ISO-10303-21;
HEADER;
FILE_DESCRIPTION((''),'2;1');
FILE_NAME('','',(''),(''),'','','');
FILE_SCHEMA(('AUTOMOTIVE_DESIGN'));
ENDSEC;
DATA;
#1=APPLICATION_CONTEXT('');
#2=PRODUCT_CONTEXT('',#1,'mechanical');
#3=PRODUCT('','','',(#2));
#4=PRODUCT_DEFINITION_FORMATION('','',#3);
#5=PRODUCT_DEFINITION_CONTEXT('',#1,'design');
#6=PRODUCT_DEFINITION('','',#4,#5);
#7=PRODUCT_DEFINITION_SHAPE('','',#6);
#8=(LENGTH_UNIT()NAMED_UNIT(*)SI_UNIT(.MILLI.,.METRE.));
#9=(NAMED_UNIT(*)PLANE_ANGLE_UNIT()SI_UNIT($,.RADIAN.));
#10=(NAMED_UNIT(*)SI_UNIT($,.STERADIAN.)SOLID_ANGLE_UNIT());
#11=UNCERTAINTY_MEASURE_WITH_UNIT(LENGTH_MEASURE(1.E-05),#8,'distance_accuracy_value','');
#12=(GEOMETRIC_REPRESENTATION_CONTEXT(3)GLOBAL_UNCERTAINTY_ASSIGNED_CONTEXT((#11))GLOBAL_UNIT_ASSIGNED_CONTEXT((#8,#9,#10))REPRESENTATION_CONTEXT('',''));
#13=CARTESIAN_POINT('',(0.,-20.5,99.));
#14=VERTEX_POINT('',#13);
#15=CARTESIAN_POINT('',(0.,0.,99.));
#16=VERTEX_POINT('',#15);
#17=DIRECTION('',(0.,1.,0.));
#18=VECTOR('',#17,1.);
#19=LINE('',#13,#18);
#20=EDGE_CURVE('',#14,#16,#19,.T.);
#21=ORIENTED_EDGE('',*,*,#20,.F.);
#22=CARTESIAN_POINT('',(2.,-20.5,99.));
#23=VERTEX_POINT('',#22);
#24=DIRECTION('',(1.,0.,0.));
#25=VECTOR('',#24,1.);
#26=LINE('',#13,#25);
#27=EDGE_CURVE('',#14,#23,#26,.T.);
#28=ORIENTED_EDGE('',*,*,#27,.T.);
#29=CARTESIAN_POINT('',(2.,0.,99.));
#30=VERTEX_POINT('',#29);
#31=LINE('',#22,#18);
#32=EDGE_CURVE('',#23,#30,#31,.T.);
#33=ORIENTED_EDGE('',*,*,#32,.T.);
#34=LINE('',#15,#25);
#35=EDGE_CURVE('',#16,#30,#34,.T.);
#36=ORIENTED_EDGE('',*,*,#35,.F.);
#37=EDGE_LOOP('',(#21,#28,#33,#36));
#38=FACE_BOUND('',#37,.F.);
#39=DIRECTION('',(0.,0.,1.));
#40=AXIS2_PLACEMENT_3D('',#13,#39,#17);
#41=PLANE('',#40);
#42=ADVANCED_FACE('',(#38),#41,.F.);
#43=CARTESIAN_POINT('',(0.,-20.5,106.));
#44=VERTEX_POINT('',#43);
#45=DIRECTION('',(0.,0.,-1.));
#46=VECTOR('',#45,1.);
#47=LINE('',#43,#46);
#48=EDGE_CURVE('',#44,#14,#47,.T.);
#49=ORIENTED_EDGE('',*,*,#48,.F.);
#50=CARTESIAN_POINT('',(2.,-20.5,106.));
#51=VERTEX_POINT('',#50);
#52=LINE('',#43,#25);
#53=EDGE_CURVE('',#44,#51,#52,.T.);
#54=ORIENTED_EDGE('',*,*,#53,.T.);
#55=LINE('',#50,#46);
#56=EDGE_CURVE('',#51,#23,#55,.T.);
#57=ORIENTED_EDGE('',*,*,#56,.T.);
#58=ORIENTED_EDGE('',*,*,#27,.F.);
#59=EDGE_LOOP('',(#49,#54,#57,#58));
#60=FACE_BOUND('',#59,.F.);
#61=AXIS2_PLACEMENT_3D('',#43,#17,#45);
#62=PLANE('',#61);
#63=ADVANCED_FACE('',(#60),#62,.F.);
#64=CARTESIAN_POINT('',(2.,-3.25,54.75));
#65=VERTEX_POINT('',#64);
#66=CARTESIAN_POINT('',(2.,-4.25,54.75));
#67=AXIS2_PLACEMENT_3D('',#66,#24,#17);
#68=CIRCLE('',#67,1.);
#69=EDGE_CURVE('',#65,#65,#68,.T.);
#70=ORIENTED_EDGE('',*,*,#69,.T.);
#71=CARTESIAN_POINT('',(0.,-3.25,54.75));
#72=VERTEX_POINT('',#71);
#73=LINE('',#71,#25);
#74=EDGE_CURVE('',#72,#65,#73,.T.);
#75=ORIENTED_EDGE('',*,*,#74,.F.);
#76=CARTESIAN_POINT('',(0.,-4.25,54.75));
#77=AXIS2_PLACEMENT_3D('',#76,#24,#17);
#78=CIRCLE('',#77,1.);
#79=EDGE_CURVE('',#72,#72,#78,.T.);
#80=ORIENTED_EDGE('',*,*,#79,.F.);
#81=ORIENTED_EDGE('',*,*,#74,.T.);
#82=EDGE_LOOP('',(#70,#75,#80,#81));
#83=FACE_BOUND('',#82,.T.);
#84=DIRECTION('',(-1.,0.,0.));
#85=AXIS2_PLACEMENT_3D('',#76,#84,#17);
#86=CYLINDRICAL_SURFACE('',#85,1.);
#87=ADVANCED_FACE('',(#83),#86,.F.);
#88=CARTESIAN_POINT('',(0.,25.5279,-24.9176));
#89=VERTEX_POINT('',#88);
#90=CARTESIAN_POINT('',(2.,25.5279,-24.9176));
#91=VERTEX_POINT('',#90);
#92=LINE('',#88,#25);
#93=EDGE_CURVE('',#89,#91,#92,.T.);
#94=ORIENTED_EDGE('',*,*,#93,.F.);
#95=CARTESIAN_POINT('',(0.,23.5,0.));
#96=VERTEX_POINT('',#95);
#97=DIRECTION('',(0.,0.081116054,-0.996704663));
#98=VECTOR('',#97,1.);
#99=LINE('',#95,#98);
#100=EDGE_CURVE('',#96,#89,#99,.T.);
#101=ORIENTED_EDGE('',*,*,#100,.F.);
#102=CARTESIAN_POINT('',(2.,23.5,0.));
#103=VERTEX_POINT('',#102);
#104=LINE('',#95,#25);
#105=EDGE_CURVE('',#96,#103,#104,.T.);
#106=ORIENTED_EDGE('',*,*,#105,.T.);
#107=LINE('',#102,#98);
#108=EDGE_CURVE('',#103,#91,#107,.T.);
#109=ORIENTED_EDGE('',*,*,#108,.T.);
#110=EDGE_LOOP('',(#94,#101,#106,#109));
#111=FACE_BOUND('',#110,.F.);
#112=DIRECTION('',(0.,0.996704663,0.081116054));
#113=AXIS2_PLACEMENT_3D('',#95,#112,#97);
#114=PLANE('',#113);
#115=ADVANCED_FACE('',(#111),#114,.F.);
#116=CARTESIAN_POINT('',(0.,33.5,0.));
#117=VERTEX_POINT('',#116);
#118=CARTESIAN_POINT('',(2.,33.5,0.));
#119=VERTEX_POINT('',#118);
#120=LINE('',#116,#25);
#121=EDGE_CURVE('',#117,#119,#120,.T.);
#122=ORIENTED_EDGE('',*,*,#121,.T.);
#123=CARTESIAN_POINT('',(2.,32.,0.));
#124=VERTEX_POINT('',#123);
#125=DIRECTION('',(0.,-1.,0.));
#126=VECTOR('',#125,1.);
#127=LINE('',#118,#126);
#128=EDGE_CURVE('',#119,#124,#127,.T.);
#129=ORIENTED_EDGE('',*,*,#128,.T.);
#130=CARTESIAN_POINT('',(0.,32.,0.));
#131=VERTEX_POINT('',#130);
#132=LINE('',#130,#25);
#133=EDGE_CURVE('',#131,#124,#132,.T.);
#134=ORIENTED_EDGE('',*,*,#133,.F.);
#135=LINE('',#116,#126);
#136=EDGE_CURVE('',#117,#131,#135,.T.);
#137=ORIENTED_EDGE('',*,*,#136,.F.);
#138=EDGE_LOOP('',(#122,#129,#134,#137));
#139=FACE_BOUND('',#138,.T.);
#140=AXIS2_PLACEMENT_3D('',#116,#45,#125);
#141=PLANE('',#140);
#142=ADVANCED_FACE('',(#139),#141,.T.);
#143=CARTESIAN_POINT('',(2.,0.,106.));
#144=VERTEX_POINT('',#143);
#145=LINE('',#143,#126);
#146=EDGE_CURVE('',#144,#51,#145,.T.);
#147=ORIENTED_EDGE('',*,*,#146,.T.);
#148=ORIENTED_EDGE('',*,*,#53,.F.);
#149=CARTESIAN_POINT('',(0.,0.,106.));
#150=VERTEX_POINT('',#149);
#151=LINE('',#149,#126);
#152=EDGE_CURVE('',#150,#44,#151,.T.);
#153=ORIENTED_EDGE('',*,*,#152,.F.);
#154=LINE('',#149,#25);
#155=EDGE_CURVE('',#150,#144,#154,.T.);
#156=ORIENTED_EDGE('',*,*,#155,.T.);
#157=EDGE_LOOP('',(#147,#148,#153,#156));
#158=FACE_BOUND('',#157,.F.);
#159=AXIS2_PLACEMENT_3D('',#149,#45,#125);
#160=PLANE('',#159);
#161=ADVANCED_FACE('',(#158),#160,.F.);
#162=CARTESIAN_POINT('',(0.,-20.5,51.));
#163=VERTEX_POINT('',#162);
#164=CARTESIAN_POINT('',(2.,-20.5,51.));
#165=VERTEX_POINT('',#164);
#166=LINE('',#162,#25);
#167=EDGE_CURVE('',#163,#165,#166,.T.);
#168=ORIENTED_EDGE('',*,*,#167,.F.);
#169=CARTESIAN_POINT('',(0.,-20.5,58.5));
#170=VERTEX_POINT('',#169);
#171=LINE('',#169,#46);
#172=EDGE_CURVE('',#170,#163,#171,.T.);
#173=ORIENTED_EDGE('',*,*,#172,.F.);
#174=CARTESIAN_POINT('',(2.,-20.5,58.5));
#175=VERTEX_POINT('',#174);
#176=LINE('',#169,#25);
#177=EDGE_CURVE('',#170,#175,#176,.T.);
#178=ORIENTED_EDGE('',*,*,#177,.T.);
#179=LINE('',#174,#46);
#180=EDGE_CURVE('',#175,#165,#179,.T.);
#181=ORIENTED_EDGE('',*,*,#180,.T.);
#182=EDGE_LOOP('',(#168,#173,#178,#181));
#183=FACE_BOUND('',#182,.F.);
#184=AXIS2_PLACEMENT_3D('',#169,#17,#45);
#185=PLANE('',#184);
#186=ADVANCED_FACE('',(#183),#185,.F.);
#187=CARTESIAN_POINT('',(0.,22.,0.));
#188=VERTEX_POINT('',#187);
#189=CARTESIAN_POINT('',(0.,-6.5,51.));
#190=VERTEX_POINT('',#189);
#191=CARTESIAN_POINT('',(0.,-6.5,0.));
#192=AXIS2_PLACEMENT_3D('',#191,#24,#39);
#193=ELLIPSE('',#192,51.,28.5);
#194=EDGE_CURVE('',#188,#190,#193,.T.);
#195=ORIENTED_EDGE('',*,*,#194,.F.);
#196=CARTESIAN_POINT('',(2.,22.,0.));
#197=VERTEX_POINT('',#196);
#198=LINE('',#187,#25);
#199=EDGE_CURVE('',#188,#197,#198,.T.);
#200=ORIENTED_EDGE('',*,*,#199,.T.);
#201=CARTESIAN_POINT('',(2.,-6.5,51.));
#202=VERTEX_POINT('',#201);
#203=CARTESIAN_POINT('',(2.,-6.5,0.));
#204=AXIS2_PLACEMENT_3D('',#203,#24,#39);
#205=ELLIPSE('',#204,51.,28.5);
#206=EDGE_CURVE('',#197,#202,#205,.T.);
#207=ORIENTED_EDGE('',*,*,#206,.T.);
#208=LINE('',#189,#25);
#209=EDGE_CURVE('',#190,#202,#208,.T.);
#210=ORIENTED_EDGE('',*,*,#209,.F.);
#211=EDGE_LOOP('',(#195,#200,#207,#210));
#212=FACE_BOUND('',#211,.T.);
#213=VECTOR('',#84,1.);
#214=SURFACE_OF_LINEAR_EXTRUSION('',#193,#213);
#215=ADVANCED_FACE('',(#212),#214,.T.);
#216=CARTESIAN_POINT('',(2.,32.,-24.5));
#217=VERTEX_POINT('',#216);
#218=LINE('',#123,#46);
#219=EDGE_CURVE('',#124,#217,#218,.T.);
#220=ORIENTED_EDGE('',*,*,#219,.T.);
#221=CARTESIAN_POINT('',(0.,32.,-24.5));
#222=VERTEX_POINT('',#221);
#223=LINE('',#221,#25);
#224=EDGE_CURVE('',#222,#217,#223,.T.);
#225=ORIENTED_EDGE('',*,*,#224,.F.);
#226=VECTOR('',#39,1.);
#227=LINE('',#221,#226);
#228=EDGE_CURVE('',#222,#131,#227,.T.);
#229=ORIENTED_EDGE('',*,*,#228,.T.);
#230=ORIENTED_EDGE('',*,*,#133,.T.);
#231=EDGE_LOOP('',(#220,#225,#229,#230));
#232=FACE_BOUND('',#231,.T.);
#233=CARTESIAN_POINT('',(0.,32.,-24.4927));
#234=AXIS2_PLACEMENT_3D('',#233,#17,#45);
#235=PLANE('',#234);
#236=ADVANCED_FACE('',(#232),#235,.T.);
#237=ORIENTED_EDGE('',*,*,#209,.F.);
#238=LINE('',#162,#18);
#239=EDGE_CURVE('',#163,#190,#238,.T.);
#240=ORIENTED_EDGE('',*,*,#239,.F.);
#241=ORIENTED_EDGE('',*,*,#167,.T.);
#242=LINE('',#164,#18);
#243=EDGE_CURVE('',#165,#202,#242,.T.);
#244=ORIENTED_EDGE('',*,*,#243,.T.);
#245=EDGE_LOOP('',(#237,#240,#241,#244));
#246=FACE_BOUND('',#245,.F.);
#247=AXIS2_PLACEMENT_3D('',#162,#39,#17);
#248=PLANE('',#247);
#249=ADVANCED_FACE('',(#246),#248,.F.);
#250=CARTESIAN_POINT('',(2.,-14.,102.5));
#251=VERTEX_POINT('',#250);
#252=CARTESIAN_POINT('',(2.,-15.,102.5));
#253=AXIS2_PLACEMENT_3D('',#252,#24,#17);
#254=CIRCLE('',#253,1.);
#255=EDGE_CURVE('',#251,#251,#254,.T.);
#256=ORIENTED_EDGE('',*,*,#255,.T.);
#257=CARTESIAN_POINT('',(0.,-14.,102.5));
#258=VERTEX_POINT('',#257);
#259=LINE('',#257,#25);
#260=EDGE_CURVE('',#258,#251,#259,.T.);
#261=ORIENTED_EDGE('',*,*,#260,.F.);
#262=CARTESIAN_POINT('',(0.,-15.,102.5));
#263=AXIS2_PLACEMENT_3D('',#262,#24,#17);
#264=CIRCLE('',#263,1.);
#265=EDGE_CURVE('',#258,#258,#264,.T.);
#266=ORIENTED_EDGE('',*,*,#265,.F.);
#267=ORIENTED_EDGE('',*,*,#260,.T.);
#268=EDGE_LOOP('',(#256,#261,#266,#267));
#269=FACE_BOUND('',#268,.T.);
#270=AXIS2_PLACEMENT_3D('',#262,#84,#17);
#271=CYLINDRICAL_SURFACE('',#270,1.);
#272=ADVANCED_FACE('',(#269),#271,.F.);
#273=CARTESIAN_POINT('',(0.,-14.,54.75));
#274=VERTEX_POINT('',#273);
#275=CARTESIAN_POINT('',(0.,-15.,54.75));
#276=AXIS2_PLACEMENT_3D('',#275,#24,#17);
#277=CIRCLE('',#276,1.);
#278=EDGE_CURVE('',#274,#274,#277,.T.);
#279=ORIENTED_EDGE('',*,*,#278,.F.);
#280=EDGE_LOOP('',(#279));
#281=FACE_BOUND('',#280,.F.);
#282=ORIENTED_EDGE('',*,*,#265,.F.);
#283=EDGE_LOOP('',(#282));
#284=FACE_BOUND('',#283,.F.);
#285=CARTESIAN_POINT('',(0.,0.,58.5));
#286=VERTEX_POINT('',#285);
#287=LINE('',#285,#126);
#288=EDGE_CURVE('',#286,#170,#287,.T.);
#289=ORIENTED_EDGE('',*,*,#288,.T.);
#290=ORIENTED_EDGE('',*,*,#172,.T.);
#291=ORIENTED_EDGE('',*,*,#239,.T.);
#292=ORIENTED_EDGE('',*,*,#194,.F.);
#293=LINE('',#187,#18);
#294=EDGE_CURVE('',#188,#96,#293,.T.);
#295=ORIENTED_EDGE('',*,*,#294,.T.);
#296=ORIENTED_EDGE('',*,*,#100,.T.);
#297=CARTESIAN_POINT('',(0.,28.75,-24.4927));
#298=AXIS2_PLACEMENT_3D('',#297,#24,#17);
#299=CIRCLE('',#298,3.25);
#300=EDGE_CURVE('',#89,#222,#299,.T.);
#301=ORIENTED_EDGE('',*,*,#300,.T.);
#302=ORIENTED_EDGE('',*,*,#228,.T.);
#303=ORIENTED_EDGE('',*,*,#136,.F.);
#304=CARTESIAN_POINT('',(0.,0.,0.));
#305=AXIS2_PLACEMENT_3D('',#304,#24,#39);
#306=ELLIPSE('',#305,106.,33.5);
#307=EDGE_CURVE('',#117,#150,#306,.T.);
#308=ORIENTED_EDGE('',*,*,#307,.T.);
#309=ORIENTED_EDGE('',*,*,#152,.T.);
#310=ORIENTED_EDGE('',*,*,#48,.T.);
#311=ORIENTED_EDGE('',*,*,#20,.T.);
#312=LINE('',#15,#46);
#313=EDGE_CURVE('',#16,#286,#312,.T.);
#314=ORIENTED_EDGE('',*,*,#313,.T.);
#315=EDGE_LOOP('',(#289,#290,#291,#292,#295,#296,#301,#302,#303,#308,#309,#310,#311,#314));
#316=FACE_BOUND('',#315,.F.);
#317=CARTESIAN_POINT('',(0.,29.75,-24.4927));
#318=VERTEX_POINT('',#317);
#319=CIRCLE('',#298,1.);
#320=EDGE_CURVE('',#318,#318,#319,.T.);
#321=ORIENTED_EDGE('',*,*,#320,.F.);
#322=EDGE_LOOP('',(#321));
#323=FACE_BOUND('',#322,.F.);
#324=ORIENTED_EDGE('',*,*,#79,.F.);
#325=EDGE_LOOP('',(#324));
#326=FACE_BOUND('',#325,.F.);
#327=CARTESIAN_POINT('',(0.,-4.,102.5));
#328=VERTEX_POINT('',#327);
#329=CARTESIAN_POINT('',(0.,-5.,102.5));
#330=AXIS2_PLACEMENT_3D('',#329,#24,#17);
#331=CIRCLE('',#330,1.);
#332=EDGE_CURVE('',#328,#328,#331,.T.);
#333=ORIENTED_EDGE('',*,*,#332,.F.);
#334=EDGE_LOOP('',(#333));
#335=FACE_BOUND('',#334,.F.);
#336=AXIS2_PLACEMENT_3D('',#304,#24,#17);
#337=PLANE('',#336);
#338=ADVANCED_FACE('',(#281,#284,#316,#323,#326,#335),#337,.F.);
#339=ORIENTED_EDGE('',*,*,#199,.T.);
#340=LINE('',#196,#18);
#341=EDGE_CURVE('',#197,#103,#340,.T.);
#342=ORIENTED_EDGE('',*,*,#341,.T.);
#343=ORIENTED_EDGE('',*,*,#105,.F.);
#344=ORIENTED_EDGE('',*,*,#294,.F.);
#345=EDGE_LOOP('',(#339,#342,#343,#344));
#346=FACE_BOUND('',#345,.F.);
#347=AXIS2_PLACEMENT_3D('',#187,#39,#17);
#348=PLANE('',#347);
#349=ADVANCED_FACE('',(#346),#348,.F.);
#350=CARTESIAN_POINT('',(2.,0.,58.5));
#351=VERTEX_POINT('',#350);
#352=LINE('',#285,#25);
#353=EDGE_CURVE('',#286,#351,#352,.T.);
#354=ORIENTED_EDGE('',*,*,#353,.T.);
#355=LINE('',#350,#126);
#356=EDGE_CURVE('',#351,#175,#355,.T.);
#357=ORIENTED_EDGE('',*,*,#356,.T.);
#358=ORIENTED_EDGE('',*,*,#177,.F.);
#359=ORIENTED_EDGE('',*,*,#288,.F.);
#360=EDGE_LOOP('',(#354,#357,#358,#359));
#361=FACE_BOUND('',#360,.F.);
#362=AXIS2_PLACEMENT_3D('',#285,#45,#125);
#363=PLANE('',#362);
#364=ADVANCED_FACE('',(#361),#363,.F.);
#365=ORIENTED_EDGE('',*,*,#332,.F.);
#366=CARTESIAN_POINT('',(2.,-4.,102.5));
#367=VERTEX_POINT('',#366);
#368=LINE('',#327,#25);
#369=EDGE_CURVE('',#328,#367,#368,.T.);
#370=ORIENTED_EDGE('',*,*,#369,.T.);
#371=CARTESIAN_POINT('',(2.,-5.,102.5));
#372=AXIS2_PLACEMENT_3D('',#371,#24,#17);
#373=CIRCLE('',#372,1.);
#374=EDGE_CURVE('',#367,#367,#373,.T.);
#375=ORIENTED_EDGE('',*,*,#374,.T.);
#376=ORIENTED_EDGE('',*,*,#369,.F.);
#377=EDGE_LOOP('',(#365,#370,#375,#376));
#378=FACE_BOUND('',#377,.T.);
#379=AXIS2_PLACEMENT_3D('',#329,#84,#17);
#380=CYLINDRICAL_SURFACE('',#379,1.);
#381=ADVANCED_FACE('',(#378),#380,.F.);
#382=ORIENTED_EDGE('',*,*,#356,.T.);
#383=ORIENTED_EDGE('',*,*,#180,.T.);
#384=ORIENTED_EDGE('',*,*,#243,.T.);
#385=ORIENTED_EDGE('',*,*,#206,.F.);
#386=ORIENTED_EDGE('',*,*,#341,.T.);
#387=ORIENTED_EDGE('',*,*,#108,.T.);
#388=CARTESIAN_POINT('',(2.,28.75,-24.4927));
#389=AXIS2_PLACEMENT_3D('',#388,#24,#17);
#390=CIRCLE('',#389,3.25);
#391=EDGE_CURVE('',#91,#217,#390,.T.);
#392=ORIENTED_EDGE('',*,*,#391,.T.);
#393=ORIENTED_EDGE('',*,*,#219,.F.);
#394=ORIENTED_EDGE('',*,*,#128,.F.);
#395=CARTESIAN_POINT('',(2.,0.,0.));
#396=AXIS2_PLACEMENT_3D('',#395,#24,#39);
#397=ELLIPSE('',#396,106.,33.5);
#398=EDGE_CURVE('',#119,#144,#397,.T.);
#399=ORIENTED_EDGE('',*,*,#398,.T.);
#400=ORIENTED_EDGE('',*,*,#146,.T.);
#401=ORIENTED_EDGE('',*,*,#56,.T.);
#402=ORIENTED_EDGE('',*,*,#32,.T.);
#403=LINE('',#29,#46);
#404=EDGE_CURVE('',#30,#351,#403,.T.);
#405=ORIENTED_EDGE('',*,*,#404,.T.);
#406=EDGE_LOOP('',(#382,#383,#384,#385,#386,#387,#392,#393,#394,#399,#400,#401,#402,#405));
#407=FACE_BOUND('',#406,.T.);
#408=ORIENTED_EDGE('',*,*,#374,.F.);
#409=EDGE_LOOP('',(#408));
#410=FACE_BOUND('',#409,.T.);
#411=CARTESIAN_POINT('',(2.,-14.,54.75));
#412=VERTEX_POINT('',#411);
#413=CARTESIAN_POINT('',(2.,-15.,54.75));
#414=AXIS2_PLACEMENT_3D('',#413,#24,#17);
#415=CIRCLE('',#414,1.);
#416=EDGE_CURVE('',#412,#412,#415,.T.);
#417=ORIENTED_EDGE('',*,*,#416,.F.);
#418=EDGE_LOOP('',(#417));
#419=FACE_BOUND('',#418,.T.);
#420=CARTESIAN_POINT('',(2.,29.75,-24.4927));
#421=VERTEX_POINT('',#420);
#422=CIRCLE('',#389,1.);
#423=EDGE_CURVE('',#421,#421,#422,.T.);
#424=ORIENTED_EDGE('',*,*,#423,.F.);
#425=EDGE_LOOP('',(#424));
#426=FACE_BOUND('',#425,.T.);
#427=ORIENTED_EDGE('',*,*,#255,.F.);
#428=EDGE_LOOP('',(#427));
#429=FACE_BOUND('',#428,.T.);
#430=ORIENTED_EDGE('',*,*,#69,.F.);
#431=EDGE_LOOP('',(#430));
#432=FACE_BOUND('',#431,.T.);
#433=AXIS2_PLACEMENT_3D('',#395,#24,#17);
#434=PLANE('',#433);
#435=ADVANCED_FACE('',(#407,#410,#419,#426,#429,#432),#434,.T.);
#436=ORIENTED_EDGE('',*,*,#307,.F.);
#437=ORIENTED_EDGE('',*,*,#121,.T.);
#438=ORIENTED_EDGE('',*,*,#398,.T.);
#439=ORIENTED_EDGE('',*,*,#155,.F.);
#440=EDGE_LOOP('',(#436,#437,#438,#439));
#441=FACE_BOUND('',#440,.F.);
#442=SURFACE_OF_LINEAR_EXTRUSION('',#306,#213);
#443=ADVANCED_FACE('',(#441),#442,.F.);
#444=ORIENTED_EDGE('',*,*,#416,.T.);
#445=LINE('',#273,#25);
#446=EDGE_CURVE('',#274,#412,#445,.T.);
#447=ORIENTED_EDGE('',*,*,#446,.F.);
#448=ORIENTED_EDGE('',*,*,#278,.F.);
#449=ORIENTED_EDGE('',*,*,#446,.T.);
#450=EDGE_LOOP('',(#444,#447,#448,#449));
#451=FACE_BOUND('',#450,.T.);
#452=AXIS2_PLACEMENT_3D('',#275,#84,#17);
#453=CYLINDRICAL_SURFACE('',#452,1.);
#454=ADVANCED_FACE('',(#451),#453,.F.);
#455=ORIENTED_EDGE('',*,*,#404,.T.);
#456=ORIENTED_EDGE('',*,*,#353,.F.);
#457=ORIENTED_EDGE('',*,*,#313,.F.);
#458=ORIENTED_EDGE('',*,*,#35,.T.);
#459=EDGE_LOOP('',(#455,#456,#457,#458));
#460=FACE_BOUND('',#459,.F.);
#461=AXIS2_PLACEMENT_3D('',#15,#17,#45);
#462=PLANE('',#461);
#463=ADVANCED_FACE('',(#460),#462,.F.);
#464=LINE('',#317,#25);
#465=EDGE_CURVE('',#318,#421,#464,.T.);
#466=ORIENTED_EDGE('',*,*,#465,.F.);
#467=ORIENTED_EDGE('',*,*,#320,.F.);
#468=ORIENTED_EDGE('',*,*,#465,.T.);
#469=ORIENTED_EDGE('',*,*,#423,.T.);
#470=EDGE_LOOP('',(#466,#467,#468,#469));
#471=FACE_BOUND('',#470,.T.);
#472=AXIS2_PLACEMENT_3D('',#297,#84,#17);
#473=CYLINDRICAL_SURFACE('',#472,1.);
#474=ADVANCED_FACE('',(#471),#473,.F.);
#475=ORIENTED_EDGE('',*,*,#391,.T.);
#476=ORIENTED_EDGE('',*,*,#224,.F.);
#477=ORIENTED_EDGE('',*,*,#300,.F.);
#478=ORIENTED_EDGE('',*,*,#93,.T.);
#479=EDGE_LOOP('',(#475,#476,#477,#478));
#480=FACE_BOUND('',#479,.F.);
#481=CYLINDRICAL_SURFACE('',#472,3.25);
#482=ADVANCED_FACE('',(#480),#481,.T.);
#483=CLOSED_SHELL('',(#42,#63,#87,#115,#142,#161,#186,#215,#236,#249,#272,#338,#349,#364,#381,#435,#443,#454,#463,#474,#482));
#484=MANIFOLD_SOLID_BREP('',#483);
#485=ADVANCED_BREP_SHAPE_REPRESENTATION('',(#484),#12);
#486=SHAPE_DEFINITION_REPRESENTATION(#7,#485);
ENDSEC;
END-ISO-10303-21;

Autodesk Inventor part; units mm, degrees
ref_plane "YZ Plane" through (0, 0, 0) normal (1, 0, 0) x (0, 1, 0)
ref_plane "XZ Plane" through (0, 0, 0) normal (0, 1, 0) x (-1, 0, 0)
ref_plane "XY Plane" through (0, 0, 0) normal (0, 0, 1) x (1, 0, 0)
sketch "Sketch1" plane through (0, 0, 0) normal (1, 0, 0) x (0, 1, 0)
  ellipse E0 centre (0, 0) end of major axis (33.5, 0) minor radius 106 (33.5, 0) -> (0, 106) ccw
  line L0 (0, 106) -> (-20.5, 106)
  ellipse E1 centre (-6.5, 0) end of major axis (22, 0) minor radius 51 (22, 0) -> (-6.5, 51) ccw
  line L1 (-20.5, 106) -> (-20.5, 99)
  line L2 (-20.5, 99) -> (0, 99)
  line L3 (0, 99) -> (0, 58.5)
  line L4 (0, 58.5) -> (-20.5, 58.5)
  line L5 (-20.5, 58.5) -> (-20.5, 51)
  line L6 (-20.5, 51) -> (-6.5, 51)
  line L7 (33.5, 0) -> (32, 0)
  line L8 (22, 0) -> (23.5, 0)
  circle A0 centre (-5, 102.5) radius 1
  circle A1 centre (-15, 102.5) radius 1
  circle A2 centre (-15, 54.75) radius 1
  circle A3 centre (-4.25, 54.75) radius 1
  line L9 (23.5, 0) -> (25.5279, -24.9176)
  line L10 (32, 0) -> (32, -24.5)
  circle A4 centre (28.75, -24.4927) radius 3.25
  circle A5 centre (28.75, -24.4927) radius 1
  dimension "d10" = 33.5
  dimension "d11" = 106
  dimension "d13" = 28.5
  dimension "d12" = 20.5
  dimension "d15" = 40.5
  dimension "d16" = 1.5
  dimension "d17" = 1.5
  dimension "d18" = 3.5
  dimension "d19" = 2
  dimension "d20" = 2
  dimension "d21" = 5.5
  dimension "d22" = 2
  dimension "d23" = 5.5
  dimension "d24" = 2
  dimension "d25" = 25
  dimension "d26" = 24.5
  dimension "d27" = 6.5
  dimension "d28" = 2
sketch "Sketch2" plane through (0, 0, 0) normal (1, 0, 0) x (0, 1, 0)
  point P0 (0, 0)
extrude "Extrusion1" add sketch "Sketch1" along normal blind 2
properties part number "femur extrude"
